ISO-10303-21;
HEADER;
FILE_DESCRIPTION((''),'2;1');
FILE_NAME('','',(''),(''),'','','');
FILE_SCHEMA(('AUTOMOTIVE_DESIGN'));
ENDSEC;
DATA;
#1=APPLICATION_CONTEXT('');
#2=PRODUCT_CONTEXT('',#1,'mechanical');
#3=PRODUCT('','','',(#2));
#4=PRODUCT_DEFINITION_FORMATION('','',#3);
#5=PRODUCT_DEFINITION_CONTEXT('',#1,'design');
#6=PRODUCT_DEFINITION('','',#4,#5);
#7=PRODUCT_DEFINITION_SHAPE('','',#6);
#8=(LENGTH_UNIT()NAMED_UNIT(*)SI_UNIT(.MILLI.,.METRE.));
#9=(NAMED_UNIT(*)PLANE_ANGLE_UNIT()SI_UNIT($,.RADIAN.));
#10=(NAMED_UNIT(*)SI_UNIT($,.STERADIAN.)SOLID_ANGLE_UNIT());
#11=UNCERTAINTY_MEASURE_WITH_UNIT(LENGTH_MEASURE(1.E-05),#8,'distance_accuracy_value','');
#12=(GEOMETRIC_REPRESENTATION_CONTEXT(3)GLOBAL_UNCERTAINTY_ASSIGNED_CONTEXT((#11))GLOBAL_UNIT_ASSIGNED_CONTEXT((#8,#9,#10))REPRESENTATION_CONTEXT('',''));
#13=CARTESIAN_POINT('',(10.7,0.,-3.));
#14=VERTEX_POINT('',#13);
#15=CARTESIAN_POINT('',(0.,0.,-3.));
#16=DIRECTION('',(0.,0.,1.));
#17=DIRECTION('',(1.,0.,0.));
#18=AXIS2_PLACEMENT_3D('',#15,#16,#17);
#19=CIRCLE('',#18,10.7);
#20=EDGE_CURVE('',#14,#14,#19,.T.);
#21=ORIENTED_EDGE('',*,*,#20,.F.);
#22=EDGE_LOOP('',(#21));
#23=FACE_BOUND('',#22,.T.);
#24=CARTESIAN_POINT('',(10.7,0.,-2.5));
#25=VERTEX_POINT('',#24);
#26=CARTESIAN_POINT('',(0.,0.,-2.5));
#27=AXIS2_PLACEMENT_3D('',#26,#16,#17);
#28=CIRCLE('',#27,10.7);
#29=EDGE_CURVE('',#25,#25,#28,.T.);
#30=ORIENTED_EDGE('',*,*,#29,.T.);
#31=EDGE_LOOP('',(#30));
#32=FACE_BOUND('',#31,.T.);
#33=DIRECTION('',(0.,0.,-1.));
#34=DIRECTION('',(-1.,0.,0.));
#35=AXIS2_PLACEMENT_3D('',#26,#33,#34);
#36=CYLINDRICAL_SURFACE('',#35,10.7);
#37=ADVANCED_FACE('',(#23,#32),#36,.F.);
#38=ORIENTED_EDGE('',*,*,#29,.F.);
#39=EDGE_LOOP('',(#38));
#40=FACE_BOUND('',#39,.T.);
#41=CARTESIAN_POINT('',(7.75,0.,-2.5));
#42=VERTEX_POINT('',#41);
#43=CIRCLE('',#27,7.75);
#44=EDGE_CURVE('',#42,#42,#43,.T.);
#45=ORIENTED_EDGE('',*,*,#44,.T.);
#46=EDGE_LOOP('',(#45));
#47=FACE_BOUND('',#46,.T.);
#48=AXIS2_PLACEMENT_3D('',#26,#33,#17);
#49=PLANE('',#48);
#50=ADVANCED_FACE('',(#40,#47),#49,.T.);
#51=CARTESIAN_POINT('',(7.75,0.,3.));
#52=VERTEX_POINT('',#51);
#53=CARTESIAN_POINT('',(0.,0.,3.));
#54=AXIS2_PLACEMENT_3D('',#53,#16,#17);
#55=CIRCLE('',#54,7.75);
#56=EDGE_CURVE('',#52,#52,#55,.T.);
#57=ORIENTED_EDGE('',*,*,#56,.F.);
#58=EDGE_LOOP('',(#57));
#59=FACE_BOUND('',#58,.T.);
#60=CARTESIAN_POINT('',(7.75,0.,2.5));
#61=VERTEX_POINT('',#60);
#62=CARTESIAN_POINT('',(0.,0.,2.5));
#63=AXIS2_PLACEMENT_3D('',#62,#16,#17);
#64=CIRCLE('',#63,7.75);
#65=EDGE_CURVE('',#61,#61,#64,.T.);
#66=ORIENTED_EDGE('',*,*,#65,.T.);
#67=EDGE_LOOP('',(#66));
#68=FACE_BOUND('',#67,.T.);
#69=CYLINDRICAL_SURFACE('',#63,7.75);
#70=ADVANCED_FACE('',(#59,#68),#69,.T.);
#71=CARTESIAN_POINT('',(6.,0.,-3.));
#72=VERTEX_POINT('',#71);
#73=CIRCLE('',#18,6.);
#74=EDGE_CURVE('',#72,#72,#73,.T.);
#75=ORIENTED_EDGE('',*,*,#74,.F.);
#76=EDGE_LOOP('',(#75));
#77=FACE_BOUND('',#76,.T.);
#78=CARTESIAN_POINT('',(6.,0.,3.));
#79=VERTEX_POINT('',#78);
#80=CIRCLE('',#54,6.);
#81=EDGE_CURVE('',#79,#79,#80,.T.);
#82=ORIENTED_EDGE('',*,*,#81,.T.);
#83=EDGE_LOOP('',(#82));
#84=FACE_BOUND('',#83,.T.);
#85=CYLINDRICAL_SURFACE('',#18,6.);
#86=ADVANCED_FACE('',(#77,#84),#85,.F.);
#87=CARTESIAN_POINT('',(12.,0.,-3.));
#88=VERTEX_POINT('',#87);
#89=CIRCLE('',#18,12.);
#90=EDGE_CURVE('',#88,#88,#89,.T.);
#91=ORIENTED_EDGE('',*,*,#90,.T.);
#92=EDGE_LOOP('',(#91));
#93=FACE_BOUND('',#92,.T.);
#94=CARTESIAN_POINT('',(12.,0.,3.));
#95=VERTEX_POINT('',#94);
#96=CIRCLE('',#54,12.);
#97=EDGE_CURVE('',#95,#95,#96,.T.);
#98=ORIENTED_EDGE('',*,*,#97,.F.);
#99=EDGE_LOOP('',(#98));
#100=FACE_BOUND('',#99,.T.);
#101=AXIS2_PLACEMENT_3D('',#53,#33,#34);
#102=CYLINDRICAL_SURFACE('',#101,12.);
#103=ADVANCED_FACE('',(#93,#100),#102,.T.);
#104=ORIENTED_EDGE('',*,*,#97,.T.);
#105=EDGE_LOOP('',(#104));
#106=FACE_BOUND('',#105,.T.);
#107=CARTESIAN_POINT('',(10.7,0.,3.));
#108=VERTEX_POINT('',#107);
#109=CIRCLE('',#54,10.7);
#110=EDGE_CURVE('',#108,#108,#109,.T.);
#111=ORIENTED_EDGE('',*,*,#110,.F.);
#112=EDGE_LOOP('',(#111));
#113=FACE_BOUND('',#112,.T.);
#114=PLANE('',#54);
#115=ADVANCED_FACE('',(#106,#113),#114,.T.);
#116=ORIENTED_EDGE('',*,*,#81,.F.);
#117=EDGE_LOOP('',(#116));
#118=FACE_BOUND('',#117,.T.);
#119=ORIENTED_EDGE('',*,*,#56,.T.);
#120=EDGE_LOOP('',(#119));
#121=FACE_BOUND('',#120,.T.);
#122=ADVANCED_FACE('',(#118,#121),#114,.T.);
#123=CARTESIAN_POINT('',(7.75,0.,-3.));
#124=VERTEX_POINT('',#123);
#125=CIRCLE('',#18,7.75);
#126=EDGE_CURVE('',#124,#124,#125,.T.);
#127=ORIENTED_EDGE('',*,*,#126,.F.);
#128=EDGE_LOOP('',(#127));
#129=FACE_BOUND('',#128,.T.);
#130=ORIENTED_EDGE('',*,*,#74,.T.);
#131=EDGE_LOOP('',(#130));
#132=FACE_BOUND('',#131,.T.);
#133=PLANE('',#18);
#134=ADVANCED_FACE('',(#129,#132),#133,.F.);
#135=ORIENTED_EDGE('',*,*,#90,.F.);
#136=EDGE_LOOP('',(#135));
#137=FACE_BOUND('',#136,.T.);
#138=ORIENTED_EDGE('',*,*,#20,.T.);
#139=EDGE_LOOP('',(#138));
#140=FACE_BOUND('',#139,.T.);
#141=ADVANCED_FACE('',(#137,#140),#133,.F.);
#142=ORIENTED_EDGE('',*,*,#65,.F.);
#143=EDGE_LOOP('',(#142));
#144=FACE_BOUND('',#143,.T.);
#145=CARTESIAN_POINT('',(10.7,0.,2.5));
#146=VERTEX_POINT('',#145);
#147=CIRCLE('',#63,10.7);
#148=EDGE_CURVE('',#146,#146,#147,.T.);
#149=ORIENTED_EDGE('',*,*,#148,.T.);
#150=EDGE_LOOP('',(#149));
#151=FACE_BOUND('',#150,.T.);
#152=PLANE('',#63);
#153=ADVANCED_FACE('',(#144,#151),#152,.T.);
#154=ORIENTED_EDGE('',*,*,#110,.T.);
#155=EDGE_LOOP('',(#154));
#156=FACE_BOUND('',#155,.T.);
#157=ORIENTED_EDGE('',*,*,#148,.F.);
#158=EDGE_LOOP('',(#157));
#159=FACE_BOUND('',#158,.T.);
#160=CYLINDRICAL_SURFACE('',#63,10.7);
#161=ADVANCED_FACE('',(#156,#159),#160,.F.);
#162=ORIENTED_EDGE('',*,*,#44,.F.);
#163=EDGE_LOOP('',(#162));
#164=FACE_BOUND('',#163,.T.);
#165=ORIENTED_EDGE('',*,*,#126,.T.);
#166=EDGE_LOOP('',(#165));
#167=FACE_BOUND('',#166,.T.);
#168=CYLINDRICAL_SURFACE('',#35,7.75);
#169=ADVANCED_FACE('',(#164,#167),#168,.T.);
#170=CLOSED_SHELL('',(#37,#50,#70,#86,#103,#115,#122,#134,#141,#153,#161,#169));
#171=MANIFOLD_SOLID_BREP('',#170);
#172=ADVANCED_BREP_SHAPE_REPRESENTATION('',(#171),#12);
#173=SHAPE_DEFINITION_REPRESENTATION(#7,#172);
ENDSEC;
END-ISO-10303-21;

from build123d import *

# Parameters (mm, degrees)
SKETCH_1_R          = 12
EXTRUDE_1_DEPTH     = 3
SKETCH_2_R          = 6
CUT_EXTRUDE_1_DEPTH = 7
SKETCH_3_R          = 10.7
SKETCH_3_R_2        = 7.75
CUT_EXTRUDE_2_DEPTH = 0.5


with BuildPart() as part:
    # 草圖1 → 填料-伸長1 (new body, symmetric)
    with BuildSketch(Plane.XY):
        Circle(SKETCH_1_R)
    extrude(amount=EXTRUDE_1_DEPTH, both=True)

    # 草圖2 → 除料-伸長1 (cut, through all)
    with BuildSketch(Plane.XY.offset(3)):
        Circle(SKETCH_2_R)
    extrude(amount=-CUT_EXTRUDE_1_DEPTH, mode=Mode.SUBTRACT)

    # 草圖3 → 除料-伸長2 (cut)
    with BuildSketch(Plane.XY.offset(3)):
        Circle(SKETCH_3_R)
        Circle(SKETCH_3_R_2, mode=Mode.SUBTRACT)
    cut_extrude_2 = extrude(amount=-CUT_EXTRUDE_2_DEPTH, mode=Mode.SUBTRACT)

    # 鏡射1: 除料-伸長2 across plane
    add(cut_extrude_2.mirror(Plane.XY), mode=Mode.SUBTRACT)


solid = part.part
